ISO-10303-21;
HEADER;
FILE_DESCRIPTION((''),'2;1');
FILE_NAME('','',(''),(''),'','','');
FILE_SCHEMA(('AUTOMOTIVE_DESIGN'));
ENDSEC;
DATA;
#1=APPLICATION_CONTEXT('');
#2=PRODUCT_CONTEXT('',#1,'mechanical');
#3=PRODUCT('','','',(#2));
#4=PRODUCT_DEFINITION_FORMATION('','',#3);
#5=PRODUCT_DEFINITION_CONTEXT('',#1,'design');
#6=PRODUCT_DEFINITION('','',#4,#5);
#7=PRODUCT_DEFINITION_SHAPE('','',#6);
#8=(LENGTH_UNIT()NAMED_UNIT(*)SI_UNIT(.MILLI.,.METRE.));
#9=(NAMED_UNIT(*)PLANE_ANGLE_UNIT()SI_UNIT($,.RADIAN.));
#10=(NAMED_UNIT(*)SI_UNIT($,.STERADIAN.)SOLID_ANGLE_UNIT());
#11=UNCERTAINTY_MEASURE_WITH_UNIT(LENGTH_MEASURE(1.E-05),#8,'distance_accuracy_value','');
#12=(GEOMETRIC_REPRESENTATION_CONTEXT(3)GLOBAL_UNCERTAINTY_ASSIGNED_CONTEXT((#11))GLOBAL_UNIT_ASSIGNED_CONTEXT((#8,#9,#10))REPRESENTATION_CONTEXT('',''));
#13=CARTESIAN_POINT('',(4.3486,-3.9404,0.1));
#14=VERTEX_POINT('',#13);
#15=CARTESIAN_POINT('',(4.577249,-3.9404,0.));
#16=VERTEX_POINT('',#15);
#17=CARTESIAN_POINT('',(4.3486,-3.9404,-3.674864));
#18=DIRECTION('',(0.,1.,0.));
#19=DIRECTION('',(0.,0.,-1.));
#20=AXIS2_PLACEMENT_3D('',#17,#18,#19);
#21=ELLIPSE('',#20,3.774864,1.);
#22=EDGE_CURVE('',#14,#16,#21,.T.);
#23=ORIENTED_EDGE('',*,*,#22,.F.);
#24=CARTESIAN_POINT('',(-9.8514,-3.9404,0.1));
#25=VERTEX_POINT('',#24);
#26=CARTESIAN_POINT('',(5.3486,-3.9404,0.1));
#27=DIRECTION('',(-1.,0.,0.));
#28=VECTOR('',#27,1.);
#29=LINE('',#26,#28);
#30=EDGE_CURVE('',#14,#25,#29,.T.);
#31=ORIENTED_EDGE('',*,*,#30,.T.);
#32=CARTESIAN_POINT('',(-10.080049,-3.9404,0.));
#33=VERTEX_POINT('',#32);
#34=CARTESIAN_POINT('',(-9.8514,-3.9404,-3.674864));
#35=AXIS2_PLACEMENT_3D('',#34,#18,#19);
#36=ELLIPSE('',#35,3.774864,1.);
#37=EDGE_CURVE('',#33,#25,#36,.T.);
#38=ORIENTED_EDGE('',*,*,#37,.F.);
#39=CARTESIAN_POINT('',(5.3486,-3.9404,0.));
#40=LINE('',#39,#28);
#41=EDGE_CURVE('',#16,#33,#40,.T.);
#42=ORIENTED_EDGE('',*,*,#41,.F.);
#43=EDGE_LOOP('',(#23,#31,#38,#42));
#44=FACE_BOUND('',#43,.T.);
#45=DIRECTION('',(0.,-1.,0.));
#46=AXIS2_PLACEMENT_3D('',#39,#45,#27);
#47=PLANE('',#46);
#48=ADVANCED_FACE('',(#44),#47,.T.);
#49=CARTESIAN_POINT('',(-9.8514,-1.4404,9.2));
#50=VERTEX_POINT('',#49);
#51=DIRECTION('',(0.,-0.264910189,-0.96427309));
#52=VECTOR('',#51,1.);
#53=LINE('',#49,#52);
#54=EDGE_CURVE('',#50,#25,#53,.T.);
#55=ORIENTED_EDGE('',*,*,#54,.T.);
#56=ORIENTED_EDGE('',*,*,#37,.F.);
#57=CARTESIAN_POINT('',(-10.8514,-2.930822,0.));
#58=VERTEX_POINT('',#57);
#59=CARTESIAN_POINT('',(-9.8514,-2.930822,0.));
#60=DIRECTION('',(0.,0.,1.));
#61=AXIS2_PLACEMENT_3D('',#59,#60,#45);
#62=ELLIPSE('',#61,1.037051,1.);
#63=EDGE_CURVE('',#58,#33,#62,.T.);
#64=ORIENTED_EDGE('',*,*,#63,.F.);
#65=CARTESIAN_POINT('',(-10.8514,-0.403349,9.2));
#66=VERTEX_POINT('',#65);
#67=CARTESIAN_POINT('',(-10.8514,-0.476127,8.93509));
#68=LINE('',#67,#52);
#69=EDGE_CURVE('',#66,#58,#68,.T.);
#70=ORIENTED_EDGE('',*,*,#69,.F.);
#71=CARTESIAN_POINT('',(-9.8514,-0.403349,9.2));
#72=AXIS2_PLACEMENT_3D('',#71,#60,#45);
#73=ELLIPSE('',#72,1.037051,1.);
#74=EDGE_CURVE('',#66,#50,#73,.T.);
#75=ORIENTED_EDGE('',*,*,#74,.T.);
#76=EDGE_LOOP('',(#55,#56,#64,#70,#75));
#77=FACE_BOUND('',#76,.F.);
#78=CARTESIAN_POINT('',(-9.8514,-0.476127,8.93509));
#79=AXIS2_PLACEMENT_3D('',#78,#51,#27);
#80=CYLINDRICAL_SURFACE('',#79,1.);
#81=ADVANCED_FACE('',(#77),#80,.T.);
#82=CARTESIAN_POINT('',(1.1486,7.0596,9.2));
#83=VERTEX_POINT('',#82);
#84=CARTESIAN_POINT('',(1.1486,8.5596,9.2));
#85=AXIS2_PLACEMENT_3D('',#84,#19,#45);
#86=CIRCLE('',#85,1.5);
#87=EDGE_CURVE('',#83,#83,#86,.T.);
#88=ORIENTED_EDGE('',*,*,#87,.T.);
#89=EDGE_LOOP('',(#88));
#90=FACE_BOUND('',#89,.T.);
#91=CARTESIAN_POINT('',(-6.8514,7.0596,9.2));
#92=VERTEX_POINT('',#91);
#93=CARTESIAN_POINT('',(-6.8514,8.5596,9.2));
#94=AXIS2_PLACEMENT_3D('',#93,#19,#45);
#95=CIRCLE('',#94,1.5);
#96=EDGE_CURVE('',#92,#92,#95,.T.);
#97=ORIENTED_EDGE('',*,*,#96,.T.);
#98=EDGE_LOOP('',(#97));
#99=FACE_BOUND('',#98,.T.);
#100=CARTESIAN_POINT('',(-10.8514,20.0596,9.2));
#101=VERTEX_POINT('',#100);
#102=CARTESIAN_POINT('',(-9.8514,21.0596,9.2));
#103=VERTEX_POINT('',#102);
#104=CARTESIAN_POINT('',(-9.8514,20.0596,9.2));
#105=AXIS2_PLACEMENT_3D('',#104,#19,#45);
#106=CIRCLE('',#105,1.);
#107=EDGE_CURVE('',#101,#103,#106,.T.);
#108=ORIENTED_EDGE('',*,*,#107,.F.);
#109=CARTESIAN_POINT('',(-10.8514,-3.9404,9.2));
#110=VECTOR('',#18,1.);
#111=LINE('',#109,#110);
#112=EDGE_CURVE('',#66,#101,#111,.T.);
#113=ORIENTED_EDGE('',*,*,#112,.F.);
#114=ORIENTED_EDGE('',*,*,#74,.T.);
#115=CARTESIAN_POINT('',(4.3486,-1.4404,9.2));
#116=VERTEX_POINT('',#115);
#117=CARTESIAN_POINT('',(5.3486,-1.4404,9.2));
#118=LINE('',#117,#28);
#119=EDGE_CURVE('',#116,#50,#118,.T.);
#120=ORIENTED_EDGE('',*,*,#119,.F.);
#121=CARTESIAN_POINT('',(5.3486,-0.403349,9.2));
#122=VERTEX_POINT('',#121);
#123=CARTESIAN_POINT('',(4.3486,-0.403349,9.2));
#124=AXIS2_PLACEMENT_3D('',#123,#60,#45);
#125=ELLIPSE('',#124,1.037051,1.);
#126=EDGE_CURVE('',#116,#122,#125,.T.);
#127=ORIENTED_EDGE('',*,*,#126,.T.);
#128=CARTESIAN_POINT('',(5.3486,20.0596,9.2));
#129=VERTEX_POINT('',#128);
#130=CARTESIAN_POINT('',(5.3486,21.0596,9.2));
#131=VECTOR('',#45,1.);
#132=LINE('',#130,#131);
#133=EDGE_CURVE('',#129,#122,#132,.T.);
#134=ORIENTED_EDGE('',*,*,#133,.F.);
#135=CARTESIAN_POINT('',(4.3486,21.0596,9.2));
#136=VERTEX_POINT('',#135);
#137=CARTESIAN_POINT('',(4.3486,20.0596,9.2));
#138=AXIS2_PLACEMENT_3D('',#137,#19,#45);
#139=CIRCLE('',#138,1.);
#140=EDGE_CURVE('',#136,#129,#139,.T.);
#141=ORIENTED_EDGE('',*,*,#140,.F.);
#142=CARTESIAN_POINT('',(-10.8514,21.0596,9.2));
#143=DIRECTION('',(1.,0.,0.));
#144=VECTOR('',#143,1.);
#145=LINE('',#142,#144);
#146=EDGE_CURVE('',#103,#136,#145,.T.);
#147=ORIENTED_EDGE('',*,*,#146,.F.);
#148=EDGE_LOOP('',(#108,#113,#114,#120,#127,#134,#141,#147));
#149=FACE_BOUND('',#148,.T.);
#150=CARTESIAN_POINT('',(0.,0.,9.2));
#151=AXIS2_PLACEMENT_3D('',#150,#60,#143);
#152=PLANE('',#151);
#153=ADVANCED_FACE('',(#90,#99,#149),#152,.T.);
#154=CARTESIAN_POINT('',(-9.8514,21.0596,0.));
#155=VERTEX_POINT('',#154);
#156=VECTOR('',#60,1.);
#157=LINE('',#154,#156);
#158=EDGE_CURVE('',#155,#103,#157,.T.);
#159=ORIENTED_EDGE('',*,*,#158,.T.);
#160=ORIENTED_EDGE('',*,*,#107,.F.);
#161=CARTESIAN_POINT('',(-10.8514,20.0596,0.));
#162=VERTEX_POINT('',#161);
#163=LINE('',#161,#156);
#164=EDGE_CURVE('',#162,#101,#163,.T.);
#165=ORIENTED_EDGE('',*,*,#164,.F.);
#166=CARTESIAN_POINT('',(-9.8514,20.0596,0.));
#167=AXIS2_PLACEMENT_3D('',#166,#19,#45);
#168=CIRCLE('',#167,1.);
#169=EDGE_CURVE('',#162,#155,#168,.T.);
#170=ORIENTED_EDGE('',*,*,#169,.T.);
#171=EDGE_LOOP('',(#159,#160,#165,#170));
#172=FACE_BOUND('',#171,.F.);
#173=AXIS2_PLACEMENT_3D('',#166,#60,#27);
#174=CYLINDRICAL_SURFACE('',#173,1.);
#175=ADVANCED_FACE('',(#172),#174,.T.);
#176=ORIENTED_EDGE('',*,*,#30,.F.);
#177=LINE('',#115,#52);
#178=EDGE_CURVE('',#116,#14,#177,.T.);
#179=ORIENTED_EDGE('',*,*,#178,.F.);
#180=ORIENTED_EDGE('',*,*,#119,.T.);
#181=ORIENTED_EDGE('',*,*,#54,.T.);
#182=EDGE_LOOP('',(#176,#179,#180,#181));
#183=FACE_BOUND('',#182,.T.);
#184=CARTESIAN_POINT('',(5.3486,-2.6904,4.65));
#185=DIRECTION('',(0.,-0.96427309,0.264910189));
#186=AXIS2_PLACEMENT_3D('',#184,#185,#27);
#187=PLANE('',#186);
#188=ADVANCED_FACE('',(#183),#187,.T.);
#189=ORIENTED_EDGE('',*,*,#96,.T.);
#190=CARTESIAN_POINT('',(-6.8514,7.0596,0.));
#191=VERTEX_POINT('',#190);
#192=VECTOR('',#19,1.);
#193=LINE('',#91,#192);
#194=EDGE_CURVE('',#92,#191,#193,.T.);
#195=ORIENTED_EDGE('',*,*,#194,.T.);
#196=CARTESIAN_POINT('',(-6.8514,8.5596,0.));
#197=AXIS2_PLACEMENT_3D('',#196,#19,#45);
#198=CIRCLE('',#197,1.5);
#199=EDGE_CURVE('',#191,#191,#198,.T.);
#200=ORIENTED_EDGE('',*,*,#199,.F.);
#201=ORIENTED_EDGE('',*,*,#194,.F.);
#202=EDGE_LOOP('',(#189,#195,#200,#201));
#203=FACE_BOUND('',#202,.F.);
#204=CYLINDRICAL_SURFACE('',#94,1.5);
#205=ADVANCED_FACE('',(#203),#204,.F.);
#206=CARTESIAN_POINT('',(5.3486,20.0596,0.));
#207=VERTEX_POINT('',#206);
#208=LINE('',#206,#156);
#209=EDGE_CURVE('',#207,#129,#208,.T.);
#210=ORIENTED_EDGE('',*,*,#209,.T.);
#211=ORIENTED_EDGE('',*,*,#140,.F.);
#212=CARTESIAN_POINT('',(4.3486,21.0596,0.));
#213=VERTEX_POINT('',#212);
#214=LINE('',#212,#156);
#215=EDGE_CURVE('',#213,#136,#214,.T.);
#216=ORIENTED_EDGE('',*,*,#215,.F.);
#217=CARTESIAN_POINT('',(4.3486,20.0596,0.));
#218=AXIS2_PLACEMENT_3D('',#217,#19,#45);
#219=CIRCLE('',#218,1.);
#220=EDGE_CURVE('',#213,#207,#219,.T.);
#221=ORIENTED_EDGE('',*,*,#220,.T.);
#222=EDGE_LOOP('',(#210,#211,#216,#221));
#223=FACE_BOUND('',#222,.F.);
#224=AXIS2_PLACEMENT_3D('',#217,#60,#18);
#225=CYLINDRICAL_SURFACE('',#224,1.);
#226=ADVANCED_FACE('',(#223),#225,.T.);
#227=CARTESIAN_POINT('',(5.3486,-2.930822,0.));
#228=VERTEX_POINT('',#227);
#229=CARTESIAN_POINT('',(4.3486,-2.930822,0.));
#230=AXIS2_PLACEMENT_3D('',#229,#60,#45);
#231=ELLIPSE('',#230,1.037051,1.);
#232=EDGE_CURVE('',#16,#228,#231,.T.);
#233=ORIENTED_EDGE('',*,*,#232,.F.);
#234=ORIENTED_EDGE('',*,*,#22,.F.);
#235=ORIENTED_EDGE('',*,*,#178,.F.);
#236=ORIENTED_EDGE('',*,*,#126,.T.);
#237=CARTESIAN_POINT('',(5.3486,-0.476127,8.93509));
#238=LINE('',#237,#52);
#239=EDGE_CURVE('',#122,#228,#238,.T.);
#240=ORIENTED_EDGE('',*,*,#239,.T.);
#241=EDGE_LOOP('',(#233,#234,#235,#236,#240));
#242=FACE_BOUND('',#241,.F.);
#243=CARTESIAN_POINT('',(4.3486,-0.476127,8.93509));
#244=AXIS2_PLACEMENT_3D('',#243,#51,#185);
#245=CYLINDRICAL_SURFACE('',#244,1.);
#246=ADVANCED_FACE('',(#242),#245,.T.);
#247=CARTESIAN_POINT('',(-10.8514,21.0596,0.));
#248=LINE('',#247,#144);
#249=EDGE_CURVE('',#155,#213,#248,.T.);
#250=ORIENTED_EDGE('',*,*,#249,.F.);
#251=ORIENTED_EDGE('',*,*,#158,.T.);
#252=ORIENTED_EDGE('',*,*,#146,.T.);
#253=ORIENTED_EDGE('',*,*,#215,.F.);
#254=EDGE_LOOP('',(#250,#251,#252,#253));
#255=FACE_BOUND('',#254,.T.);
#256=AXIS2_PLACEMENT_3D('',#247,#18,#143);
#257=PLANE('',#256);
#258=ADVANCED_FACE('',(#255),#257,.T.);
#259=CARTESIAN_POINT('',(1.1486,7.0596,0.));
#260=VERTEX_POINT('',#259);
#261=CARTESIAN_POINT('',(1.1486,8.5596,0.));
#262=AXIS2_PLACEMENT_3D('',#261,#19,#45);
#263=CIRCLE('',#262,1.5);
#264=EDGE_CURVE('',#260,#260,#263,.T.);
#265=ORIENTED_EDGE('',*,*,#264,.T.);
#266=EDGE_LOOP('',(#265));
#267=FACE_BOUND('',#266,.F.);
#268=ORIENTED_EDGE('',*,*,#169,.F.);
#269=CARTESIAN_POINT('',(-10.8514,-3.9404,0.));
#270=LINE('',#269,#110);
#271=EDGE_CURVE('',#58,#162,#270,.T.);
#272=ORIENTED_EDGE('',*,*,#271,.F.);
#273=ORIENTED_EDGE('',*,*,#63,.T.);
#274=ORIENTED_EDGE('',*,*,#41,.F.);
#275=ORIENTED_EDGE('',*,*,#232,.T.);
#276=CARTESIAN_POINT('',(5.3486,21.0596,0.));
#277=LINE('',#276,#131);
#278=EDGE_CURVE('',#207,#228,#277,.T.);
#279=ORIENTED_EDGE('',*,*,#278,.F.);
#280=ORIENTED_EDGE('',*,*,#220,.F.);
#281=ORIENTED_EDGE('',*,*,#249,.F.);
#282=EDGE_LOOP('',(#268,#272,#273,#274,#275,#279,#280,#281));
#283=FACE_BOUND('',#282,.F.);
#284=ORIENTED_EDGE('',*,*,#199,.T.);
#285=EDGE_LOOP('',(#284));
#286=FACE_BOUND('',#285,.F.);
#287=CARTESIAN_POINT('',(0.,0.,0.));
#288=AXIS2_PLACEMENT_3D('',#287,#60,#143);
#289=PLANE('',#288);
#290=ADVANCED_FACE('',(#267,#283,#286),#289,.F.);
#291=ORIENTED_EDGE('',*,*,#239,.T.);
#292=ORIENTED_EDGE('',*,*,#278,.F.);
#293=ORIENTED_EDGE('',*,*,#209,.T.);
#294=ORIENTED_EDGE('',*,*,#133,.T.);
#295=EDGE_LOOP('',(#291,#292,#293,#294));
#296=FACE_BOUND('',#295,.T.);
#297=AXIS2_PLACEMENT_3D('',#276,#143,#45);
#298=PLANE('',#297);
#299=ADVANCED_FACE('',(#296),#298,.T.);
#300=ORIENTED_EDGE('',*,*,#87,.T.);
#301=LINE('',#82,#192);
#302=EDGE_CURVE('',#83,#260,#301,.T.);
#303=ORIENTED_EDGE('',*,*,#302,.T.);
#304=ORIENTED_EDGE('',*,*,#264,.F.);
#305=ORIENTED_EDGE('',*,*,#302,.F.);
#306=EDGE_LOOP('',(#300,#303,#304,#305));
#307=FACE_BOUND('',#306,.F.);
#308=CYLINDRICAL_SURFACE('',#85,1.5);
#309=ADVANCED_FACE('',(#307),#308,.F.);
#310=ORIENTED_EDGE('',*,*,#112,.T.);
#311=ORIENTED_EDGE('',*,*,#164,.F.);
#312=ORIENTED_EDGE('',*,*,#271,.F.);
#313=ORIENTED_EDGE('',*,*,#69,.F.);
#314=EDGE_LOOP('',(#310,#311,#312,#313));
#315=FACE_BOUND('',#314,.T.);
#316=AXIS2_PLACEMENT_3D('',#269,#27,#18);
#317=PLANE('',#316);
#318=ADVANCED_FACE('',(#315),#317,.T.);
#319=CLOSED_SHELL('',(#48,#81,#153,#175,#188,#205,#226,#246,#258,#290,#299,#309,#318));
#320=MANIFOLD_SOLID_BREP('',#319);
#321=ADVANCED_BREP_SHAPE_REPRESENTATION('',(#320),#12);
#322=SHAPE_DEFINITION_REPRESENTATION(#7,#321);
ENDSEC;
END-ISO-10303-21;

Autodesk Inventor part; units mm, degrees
ref_plane "YZ Plane" through (0, 0, 0) normal (1, 0, 0) x (0, 1, 0)
ref_plane "XZ Plane" through (0, 0, 0) normal (0, 1, 0) x (-1, 0, 0)
ref_plane "XY Plane" through (0, 0, 0) normal (0, 0, 1) x (1, 0, 0)
sketch "Szkic1" plane through (0, 0, 0) normal (0, 0, 1) x (1, 0, 0)
  line L0 (-10.8514, 21.0596) -> (5.3486, 21.0596)
  line L1 (5.3486, 21.0596) -> (5.3486, -3.9404)
  line L2 (5.3486, -3.9404) -> (-10.8514, -3.9404)
  line L3 (-10.8514, -3.9404) -> (-10.8514, 21.0596)
  point P0 (0, 0)
  dimension "d0" = 16.2
  dimension "d1" = 25
extrude "Wyciągnięcie proste1" add sketch "Szkic1" along normal blind 9.2
sketch "Szkic2" plane through (0, 0, 9.2) normal (0, 0, 1) x (1, 0, 0)
  line L0 (5.3486, 21.0596) -> (-10.8514, 21.0596) projected
  line L1 (-10.8514, 21.0596) -> (-10.8514, -3.9404) projected
  line L2 (-10.8514, -3.9404) -> (5.3486, -3.9404) projected
  line L3 (5.3486, -3.9404) -> (5.3486, 21.0596) projected
  point P0 (0, 0)
  point P1 (-6.8514, 8.5596)
  point P2 (1.1486, 8.5596)
  dimension "d4" = 12.5
  dimension "d5" = 12.5
  dimension "d6" = 4
  dimension "d7" = 4.2
hole "Otwór1" at (-6.8514, 8.5596, 9.2) at (1.1486, 8.5596, 9.2) direction (0, 0, -1) diameter 3 end through all
chamfer "Faza3" distance 2.5 distance2 9.1 1 edges at (-2.7514, -3.9404, 9.2) measured on face at (-1.6837, 17.3356, 9.2)
fillet "Zaokrąglenie1" radius 1 4 edges at (-10.8514, 21.0596, 4.6) (5.3486, -2.6904, 4.65) (-10.8514, -2.6904, 4.65) (5.3486, 21.0596, 4.6)
equation "\"d5\" = d4"
properties part number "3DP_ABS_X_Axis_IGUS_Cable_Chain_Mount"
